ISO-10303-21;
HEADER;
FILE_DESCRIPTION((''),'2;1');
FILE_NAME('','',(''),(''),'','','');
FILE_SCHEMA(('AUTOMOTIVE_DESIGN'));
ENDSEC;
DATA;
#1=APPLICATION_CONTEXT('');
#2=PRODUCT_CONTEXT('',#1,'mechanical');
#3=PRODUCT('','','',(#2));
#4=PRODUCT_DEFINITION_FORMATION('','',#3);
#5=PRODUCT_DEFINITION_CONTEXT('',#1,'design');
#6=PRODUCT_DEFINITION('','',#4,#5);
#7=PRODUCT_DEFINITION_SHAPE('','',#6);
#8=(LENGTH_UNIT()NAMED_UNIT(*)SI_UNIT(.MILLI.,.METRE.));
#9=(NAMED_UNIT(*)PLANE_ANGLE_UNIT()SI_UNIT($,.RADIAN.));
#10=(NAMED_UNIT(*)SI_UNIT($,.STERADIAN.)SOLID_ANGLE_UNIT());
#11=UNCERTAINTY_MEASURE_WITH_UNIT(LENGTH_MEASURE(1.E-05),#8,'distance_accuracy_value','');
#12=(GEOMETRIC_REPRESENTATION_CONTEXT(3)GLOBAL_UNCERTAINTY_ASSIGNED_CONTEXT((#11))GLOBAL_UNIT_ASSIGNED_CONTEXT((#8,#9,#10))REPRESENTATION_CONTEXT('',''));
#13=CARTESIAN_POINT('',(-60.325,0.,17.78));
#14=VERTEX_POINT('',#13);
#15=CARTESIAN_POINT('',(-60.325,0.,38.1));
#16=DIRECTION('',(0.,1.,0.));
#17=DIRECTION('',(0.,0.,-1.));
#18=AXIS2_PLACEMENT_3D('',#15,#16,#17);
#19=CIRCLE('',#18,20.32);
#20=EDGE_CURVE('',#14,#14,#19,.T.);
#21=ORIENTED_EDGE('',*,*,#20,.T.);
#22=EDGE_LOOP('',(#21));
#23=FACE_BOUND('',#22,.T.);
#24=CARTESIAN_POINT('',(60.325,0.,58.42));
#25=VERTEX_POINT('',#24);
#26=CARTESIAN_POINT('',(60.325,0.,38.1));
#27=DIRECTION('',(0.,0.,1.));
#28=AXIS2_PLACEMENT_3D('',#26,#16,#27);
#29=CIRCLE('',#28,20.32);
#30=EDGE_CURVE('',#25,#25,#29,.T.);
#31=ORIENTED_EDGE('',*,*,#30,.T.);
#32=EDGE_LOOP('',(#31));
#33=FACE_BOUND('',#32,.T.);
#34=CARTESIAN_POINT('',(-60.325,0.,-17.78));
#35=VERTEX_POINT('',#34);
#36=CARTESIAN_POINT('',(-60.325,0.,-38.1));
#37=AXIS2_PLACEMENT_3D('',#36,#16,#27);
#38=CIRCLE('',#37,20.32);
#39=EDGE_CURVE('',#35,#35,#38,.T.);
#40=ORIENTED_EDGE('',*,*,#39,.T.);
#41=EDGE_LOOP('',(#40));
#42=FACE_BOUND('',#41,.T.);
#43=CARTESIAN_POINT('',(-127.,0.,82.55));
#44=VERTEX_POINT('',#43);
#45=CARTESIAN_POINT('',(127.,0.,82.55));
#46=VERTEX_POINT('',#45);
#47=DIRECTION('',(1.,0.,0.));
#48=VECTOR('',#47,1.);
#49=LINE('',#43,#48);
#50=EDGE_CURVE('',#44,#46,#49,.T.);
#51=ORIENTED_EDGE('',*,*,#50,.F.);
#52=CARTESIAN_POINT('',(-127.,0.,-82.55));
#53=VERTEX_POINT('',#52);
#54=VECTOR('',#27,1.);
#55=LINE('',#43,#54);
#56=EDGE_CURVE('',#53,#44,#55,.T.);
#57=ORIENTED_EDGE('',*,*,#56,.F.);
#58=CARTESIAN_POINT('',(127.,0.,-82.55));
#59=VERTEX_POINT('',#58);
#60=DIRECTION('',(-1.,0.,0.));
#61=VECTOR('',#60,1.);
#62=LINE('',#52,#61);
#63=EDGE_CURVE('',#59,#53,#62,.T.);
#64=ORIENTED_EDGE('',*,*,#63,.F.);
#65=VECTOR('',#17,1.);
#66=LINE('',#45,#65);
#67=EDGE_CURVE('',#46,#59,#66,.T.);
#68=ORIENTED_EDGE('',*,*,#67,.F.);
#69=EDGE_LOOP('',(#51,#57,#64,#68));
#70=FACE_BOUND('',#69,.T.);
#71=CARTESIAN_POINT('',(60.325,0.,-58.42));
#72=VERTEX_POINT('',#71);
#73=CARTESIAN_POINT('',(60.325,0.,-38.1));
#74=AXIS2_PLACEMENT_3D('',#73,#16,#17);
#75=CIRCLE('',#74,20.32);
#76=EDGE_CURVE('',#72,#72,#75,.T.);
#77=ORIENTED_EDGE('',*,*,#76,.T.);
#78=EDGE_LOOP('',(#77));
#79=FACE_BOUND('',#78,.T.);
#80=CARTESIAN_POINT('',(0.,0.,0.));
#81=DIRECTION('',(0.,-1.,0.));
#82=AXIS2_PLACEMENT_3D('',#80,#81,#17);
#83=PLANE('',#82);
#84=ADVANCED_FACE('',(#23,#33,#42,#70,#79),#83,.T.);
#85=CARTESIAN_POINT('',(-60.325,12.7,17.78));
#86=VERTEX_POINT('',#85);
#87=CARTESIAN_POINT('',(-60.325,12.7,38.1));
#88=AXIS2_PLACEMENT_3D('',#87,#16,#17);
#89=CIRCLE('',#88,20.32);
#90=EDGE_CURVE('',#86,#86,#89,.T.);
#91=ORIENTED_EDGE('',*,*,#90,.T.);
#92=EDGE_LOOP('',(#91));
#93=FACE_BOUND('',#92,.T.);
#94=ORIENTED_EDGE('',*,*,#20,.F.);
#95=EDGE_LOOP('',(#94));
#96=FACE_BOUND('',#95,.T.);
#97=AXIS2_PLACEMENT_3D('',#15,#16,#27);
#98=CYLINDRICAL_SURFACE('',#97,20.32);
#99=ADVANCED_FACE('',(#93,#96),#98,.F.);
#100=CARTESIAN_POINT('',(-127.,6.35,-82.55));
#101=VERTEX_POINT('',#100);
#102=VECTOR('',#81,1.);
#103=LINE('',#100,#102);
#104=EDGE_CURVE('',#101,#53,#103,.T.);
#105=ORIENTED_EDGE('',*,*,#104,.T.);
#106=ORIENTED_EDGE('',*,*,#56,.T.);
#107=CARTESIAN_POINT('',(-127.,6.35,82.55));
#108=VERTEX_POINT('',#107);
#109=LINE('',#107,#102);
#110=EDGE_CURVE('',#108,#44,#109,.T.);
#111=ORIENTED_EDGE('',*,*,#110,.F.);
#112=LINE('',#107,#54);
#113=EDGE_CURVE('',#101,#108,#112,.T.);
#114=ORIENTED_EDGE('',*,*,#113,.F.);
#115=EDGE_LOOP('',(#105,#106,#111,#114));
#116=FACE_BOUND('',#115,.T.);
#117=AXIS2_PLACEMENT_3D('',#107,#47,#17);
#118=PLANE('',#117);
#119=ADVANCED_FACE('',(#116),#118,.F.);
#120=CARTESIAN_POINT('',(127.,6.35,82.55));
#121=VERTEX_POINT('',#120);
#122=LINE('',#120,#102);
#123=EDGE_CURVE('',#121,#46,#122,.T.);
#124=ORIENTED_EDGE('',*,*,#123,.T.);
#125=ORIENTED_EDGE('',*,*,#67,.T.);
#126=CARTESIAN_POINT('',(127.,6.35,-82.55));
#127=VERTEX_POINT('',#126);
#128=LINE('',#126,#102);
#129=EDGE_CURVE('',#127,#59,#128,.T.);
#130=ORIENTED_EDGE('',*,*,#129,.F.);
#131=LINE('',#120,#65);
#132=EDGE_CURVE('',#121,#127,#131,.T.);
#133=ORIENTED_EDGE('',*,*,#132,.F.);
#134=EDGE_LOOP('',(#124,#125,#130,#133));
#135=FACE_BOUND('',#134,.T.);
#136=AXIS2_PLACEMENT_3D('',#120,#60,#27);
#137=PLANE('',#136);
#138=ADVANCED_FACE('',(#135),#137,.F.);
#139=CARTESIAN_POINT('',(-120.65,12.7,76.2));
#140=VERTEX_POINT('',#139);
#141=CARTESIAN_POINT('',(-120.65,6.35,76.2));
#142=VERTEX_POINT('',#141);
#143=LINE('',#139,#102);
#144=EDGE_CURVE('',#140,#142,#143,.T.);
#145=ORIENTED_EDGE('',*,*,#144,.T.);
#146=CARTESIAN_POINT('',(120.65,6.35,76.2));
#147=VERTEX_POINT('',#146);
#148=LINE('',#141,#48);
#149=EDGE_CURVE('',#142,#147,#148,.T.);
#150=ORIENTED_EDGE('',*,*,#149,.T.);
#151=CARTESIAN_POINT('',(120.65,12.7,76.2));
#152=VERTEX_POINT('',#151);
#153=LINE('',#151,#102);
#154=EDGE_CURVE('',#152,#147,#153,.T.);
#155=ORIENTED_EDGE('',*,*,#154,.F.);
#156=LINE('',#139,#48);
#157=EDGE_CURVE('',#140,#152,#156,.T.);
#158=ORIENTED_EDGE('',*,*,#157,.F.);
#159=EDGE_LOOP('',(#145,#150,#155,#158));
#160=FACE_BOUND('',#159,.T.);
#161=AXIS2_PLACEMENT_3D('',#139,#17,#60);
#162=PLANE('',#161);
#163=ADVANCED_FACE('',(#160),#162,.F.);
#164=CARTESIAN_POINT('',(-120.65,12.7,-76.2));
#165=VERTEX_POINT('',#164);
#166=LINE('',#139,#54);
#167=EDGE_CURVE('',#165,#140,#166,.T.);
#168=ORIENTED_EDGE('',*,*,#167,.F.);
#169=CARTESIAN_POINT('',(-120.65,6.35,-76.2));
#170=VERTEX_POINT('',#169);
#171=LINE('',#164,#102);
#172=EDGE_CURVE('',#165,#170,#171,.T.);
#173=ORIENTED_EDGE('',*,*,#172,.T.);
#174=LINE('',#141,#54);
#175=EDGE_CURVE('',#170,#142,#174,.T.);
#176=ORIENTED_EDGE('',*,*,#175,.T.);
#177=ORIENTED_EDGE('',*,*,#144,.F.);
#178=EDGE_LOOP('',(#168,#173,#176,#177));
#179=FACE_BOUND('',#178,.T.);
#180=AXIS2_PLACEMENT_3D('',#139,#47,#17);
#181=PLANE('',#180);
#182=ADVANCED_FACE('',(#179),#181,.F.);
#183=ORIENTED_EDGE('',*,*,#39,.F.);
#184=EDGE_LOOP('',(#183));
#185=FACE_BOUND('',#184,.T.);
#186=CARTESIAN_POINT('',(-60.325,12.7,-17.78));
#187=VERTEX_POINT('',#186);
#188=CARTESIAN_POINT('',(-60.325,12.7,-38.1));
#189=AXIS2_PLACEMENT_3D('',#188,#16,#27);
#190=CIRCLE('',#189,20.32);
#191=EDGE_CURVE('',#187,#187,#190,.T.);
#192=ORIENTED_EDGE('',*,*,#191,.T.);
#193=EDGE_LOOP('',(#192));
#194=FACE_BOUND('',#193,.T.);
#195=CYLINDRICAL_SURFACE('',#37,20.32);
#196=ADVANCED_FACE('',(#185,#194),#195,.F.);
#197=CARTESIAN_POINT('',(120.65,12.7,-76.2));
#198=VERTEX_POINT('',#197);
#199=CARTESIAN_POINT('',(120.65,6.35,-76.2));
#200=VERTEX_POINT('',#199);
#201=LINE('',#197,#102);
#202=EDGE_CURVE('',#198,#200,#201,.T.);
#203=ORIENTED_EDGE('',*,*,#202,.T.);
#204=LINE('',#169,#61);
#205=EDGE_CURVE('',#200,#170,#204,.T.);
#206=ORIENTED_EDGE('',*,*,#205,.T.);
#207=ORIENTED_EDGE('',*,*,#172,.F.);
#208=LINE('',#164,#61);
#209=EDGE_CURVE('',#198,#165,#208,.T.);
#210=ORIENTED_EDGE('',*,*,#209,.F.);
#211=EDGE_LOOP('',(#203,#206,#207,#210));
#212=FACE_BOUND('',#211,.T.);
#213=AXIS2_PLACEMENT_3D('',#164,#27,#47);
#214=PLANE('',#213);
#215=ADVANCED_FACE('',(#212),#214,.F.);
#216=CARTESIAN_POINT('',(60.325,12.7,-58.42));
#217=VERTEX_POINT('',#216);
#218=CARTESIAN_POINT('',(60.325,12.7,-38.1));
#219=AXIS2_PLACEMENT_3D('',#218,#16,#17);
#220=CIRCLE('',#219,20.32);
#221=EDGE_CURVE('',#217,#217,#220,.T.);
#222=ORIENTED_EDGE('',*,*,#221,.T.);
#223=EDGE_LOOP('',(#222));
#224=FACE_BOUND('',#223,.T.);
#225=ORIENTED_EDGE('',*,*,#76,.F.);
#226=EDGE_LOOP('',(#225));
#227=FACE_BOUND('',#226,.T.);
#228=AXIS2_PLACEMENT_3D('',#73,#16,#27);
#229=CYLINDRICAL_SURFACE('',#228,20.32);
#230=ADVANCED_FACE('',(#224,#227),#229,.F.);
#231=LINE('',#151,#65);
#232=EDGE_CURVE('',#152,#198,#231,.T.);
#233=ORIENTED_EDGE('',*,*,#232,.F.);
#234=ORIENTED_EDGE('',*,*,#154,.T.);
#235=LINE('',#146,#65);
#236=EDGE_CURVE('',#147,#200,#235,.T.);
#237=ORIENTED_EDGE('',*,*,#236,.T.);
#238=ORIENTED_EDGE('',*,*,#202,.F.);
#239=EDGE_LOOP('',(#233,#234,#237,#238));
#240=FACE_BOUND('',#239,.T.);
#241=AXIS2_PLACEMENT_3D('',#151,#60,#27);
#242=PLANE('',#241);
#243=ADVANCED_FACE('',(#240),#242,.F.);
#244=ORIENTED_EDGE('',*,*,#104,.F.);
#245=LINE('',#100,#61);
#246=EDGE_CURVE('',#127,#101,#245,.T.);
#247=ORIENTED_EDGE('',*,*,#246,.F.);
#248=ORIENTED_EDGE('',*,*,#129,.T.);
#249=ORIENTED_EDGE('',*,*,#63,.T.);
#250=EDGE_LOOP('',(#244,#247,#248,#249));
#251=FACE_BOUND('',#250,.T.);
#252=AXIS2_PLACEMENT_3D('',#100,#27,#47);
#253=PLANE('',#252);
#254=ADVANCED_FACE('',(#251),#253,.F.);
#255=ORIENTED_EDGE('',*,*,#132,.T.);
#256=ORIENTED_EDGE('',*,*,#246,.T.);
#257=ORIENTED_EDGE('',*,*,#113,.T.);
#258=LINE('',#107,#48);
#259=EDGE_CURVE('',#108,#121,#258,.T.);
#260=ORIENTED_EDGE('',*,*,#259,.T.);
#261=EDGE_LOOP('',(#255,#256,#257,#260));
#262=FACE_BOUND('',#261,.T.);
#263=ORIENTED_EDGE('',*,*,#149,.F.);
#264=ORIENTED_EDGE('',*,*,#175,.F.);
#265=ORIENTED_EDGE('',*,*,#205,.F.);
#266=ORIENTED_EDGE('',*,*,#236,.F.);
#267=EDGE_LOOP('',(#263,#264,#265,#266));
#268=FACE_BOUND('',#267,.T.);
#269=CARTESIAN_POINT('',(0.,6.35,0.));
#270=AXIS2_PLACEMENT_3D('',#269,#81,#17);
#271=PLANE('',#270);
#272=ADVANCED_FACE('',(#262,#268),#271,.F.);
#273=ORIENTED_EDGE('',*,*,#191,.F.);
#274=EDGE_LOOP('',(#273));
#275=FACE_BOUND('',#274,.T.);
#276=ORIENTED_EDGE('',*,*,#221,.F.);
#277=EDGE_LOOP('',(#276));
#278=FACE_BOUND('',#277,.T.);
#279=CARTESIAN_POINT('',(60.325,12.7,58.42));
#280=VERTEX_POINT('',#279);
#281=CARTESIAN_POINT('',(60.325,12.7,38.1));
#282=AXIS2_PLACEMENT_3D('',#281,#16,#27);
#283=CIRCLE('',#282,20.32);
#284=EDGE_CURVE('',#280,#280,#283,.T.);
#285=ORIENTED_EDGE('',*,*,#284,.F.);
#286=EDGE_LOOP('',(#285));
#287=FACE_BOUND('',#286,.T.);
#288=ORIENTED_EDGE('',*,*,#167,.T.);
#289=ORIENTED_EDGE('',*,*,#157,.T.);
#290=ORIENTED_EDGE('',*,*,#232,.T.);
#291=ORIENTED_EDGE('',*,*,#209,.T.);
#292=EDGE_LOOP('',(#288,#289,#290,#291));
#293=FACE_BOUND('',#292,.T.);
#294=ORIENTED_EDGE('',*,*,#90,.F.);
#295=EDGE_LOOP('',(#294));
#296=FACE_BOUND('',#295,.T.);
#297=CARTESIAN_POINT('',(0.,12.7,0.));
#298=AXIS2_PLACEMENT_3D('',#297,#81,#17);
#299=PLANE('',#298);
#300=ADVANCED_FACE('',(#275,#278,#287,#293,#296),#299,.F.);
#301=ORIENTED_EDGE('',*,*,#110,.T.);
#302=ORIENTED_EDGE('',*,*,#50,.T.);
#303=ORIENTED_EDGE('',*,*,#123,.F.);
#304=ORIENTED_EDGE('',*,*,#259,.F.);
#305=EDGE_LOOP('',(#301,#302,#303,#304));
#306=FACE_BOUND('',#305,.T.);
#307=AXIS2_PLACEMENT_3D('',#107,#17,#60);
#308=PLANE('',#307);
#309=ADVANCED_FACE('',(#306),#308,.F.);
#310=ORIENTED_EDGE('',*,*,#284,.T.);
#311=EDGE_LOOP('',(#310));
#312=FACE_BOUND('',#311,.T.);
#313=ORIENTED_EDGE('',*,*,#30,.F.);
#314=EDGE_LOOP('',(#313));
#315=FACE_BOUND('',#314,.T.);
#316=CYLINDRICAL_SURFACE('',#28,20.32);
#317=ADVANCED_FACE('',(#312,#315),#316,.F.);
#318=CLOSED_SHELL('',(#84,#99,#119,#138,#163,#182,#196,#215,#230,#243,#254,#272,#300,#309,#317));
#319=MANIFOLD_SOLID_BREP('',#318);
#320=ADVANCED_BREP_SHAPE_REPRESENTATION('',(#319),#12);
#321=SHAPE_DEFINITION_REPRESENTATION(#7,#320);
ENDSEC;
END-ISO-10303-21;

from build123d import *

# Parameters (mm, degrees)
SKETCH2_W           = 254
SKETCH2_H           = 165.1
BOSS_EXTRUDE1_DEPTH = 6.35
SKETCH3_W           = 241.3
SKETCH3_H           = 152.4
BOSS_EXTRUDE2_DEPTH = 6.35
SKETCH4_R           = 20.32
CUT_EXTRUDE2_DEPTH  = 153.002606886


with BuildPart() as part:
    # Sketch2 → Boss-Extrude1 (new body)
    with BuildSketch(Plane(origin=(0, 0, 0), x_dir=(1, 0, 0), z_dir=(0, 1, 0))):
        Rectangle(SKETCH2_W, SKETCH2_H)
    extrude(amount=BOSS_EXTRUDE1_DEPTH)

    # Sketch3 → Boss-Extrude2 (add)
    with BuildSketch(Plane(origin=(0, 6.35, 0), x_dir=(1, 0, 0), z_dir=(0, 1, 0))):
        Rectangle(SKETCH3_W, SKETCH3_H)
    extrude(amount=BOSS_EXTRUDE2_DEPTH)

    # Sketch4 → Cut-Extrude2 (cut, through all)
    with BuildSketch(Plane(origin=(0, 12.7, 0), x_dir=(1, 0, 0), z_dir=(0, 1, 0))):
        with Locations(Location((-60.325, 38.1, 0), (0, 0, 270))):
            Circle(SKETCH4_R)
        with Locations(Location((60.325, 38.1, 0), (0, 0, 90))):
            Circle(SKETCH4_R)
        with Locations(Location((60.325, -38.1, 0), (0, 0, 270))):
            Circle(SKETCH4_R)
        with Locations(Location((-60.325, -38.1, 0), (0, 0, 90))):
            Circle(SKETCH4_R)
    extrude(amount=-CUT_EXTRUDE2_DEPTH, mode=Mode.SUBTRACT)


solid = part.part
